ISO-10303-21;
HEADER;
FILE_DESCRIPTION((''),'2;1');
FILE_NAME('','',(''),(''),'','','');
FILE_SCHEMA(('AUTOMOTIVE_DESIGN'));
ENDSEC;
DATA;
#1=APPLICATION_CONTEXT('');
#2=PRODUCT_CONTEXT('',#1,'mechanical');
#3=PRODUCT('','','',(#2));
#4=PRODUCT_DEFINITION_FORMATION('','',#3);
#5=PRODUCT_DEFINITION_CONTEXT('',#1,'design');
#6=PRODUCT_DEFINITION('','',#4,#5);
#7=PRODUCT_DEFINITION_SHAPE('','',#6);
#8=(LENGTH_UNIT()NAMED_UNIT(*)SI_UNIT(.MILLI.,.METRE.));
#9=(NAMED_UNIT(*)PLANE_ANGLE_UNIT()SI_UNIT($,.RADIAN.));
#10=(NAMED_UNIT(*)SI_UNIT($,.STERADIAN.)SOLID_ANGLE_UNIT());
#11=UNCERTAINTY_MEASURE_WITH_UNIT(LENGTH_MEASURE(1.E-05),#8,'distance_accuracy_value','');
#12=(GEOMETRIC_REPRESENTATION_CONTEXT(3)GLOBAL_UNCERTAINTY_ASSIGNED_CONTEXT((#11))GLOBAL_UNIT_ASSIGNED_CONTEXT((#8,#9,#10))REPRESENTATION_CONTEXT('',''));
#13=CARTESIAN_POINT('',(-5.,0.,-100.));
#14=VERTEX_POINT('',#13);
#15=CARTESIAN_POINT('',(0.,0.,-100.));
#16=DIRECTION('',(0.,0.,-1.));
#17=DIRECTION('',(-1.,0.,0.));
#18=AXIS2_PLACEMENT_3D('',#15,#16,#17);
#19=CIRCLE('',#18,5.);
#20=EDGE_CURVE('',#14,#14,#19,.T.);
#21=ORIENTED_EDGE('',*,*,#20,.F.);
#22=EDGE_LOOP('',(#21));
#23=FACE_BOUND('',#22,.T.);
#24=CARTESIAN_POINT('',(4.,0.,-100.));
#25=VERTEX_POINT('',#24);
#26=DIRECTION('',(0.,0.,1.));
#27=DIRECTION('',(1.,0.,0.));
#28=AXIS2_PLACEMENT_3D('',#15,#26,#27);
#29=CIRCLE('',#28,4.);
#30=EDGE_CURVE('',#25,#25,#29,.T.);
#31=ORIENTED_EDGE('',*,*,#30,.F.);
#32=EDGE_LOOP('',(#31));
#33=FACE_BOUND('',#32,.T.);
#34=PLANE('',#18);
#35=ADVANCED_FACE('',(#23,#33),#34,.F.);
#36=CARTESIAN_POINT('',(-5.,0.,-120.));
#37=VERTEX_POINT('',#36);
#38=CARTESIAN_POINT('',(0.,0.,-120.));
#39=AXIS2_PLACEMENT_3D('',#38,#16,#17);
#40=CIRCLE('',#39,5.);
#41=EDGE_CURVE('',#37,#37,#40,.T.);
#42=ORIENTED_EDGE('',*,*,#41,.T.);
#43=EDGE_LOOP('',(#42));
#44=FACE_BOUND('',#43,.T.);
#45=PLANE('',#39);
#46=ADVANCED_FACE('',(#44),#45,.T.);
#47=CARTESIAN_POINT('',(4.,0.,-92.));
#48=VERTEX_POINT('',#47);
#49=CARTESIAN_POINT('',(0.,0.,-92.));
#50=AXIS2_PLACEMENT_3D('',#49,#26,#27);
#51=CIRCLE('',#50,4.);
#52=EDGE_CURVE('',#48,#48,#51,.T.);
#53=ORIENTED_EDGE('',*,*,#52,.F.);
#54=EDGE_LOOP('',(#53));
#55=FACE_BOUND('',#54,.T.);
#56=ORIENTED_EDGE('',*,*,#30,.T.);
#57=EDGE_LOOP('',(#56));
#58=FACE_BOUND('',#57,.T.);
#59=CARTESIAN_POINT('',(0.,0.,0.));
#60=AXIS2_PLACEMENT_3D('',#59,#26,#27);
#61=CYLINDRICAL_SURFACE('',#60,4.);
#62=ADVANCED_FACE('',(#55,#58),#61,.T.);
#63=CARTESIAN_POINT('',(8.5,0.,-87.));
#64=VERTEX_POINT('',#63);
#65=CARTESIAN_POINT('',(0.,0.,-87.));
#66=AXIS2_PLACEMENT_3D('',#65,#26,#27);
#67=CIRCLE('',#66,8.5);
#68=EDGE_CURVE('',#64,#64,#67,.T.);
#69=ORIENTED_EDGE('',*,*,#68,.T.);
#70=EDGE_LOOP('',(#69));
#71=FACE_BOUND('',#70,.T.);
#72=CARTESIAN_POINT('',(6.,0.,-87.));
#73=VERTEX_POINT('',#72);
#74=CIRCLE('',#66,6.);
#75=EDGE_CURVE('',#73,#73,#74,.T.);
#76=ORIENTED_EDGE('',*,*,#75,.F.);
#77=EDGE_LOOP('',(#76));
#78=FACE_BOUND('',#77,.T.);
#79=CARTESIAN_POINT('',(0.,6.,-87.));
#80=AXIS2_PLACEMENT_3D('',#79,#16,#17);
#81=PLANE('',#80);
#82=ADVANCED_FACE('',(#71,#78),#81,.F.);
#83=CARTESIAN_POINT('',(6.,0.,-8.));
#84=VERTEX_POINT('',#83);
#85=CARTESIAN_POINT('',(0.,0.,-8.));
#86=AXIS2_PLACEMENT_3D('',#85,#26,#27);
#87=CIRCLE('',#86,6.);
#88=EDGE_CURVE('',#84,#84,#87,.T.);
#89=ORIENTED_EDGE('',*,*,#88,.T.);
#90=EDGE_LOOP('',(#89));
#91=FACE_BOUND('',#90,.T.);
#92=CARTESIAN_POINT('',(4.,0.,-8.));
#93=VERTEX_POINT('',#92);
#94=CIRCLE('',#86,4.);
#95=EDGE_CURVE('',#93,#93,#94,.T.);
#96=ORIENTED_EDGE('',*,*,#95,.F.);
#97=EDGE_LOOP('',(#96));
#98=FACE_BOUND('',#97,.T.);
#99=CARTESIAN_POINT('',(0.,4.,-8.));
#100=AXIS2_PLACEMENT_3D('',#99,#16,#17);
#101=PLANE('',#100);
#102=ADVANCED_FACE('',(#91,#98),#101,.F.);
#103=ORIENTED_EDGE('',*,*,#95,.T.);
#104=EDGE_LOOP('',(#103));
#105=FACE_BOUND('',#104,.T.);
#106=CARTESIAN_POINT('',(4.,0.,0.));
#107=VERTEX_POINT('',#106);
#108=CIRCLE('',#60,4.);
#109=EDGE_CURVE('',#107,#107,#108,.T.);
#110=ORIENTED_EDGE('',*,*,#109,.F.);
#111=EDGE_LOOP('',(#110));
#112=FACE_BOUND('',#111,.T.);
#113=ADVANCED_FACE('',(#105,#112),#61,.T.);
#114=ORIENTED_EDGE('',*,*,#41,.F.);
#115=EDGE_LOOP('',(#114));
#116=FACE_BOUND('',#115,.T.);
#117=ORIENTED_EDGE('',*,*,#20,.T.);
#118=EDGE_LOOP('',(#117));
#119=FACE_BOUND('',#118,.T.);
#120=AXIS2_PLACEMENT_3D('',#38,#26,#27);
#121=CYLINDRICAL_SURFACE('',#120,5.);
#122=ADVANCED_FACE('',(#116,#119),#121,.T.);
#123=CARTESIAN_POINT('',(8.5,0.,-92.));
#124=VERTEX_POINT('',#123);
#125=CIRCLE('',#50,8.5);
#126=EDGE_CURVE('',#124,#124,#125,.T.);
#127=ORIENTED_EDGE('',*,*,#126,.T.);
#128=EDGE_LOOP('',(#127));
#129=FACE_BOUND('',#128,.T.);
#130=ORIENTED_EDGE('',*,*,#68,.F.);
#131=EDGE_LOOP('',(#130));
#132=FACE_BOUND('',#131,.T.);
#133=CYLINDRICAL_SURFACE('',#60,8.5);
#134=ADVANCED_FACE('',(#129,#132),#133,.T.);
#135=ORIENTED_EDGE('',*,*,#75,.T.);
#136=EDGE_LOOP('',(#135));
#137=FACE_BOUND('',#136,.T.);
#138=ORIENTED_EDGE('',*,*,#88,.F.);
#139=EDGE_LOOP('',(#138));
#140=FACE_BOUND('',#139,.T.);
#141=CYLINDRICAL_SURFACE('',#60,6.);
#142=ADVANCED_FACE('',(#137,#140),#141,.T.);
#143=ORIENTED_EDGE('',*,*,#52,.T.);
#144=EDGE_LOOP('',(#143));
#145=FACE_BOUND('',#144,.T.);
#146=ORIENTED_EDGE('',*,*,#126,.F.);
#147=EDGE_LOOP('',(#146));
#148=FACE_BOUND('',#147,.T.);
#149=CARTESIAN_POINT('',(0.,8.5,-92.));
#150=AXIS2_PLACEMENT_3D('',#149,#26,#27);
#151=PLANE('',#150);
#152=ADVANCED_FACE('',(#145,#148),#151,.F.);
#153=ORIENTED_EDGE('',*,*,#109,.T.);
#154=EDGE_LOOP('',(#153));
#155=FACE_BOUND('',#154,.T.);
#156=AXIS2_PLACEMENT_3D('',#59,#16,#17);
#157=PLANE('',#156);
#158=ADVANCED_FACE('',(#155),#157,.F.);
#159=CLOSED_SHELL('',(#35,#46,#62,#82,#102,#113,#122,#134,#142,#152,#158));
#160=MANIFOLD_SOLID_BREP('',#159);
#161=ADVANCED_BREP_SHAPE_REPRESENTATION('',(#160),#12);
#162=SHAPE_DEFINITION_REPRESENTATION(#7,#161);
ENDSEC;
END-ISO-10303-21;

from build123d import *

# Parameters (mm, degrees)
SKETCH3_R           = 5
BOSS_EXTRUDE1_DEPTH = 20


with BuildPart() as part:
    # Sketch2 → Revolve1 (revolve)
    with BuildSketch(Plane(origin=(0, 0, 0), x_dir=(0, 0, -1), z_dir=(1, 0, 0)), mode=Mode.PRIVATE) as revolve1_sk:
        Polygon((0, 0), (0, 4), (8, 4), (8, 6), (87, 6), (87, 8.5), (92, 8.5), (92, 4), (100, 4), (100, 0), align=None)
    revolve(revolve1_sk.sketch.rotate(Axis((0, 0, 0), (0, 0, -1)), 90), axis=Axis((0, 0, 0), (0, 0, -1)))

    # Sketch3 → Boss-Extrude1 (add)
    with BuildSketch(Plane(origin=(0, 0, -100), x_dir=(-1, 0, 0), z_dir=(0, 0, -1))):
        Circle(SKETCH3_R)
    extrude(amount=BOSS_EXTRUDE1_DEPTH)


solid = part.part
